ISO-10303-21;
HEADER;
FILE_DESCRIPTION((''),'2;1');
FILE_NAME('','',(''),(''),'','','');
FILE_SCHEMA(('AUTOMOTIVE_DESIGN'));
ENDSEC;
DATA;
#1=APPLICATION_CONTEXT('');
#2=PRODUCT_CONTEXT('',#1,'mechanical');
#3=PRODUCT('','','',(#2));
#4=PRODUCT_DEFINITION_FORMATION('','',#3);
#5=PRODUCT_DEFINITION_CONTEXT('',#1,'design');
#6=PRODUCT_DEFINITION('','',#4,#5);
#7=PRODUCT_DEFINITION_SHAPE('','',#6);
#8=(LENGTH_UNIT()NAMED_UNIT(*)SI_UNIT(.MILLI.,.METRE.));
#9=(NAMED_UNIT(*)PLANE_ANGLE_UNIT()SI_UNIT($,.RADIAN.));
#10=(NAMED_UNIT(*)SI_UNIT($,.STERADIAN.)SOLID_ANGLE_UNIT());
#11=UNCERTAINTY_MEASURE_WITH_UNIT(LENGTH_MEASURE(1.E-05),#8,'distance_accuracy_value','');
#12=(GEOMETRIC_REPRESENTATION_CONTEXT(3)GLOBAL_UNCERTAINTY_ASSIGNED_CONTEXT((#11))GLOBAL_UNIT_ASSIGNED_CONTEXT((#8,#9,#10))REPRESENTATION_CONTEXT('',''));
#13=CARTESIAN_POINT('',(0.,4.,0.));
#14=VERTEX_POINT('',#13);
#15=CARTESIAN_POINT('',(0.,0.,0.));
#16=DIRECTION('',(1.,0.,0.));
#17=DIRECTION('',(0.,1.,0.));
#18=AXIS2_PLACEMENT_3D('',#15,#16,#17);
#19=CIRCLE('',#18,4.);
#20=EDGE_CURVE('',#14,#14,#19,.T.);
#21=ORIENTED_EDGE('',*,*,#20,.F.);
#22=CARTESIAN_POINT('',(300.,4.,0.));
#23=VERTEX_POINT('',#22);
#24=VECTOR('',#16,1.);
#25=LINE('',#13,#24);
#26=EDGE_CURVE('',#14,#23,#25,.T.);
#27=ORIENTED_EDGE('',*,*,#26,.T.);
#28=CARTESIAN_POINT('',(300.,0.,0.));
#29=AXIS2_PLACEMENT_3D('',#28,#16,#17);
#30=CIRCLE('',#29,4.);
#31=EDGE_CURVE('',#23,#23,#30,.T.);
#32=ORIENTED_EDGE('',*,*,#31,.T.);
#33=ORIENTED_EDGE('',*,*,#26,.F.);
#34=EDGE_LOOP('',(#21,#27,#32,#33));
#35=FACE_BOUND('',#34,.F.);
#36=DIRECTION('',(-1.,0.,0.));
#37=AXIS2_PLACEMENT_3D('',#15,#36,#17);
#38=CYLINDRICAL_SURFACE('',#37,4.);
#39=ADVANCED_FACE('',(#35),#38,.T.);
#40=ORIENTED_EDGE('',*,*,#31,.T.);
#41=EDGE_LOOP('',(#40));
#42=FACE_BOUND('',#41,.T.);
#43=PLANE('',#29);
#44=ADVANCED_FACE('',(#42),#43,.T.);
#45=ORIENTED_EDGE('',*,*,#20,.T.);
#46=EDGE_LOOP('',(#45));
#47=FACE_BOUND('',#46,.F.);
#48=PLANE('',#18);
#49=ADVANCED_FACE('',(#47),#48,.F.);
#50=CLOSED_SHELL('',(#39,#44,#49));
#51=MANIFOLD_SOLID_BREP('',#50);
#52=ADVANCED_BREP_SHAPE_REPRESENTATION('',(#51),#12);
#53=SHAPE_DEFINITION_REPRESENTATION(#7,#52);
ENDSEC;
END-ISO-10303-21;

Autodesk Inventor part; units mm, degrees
ref_plane "YZ Plane" through (0, 0, 0) normal (1, 0, 0) x (0, 1, 0)
ref_plane "XZ Plane" through (0, 0, 0) normal (0, 1, 0) x (-1, 0, 0)
ref_plane "XY Plane" through (0, 0, 0) normal (0, 0, 1) x (1, 0, 0)
sketch "Sketch1" plane through (0, 0, 0) normal (1, 0, 0) x (0, 1, 0)
  circle A0 centre (0, 0) radius 4
  dimension "d0" = 8
extrude "Extrusion1" add sketch "Sketch1" along normal blind 300
properties part number "threadedRodStandinShort"
